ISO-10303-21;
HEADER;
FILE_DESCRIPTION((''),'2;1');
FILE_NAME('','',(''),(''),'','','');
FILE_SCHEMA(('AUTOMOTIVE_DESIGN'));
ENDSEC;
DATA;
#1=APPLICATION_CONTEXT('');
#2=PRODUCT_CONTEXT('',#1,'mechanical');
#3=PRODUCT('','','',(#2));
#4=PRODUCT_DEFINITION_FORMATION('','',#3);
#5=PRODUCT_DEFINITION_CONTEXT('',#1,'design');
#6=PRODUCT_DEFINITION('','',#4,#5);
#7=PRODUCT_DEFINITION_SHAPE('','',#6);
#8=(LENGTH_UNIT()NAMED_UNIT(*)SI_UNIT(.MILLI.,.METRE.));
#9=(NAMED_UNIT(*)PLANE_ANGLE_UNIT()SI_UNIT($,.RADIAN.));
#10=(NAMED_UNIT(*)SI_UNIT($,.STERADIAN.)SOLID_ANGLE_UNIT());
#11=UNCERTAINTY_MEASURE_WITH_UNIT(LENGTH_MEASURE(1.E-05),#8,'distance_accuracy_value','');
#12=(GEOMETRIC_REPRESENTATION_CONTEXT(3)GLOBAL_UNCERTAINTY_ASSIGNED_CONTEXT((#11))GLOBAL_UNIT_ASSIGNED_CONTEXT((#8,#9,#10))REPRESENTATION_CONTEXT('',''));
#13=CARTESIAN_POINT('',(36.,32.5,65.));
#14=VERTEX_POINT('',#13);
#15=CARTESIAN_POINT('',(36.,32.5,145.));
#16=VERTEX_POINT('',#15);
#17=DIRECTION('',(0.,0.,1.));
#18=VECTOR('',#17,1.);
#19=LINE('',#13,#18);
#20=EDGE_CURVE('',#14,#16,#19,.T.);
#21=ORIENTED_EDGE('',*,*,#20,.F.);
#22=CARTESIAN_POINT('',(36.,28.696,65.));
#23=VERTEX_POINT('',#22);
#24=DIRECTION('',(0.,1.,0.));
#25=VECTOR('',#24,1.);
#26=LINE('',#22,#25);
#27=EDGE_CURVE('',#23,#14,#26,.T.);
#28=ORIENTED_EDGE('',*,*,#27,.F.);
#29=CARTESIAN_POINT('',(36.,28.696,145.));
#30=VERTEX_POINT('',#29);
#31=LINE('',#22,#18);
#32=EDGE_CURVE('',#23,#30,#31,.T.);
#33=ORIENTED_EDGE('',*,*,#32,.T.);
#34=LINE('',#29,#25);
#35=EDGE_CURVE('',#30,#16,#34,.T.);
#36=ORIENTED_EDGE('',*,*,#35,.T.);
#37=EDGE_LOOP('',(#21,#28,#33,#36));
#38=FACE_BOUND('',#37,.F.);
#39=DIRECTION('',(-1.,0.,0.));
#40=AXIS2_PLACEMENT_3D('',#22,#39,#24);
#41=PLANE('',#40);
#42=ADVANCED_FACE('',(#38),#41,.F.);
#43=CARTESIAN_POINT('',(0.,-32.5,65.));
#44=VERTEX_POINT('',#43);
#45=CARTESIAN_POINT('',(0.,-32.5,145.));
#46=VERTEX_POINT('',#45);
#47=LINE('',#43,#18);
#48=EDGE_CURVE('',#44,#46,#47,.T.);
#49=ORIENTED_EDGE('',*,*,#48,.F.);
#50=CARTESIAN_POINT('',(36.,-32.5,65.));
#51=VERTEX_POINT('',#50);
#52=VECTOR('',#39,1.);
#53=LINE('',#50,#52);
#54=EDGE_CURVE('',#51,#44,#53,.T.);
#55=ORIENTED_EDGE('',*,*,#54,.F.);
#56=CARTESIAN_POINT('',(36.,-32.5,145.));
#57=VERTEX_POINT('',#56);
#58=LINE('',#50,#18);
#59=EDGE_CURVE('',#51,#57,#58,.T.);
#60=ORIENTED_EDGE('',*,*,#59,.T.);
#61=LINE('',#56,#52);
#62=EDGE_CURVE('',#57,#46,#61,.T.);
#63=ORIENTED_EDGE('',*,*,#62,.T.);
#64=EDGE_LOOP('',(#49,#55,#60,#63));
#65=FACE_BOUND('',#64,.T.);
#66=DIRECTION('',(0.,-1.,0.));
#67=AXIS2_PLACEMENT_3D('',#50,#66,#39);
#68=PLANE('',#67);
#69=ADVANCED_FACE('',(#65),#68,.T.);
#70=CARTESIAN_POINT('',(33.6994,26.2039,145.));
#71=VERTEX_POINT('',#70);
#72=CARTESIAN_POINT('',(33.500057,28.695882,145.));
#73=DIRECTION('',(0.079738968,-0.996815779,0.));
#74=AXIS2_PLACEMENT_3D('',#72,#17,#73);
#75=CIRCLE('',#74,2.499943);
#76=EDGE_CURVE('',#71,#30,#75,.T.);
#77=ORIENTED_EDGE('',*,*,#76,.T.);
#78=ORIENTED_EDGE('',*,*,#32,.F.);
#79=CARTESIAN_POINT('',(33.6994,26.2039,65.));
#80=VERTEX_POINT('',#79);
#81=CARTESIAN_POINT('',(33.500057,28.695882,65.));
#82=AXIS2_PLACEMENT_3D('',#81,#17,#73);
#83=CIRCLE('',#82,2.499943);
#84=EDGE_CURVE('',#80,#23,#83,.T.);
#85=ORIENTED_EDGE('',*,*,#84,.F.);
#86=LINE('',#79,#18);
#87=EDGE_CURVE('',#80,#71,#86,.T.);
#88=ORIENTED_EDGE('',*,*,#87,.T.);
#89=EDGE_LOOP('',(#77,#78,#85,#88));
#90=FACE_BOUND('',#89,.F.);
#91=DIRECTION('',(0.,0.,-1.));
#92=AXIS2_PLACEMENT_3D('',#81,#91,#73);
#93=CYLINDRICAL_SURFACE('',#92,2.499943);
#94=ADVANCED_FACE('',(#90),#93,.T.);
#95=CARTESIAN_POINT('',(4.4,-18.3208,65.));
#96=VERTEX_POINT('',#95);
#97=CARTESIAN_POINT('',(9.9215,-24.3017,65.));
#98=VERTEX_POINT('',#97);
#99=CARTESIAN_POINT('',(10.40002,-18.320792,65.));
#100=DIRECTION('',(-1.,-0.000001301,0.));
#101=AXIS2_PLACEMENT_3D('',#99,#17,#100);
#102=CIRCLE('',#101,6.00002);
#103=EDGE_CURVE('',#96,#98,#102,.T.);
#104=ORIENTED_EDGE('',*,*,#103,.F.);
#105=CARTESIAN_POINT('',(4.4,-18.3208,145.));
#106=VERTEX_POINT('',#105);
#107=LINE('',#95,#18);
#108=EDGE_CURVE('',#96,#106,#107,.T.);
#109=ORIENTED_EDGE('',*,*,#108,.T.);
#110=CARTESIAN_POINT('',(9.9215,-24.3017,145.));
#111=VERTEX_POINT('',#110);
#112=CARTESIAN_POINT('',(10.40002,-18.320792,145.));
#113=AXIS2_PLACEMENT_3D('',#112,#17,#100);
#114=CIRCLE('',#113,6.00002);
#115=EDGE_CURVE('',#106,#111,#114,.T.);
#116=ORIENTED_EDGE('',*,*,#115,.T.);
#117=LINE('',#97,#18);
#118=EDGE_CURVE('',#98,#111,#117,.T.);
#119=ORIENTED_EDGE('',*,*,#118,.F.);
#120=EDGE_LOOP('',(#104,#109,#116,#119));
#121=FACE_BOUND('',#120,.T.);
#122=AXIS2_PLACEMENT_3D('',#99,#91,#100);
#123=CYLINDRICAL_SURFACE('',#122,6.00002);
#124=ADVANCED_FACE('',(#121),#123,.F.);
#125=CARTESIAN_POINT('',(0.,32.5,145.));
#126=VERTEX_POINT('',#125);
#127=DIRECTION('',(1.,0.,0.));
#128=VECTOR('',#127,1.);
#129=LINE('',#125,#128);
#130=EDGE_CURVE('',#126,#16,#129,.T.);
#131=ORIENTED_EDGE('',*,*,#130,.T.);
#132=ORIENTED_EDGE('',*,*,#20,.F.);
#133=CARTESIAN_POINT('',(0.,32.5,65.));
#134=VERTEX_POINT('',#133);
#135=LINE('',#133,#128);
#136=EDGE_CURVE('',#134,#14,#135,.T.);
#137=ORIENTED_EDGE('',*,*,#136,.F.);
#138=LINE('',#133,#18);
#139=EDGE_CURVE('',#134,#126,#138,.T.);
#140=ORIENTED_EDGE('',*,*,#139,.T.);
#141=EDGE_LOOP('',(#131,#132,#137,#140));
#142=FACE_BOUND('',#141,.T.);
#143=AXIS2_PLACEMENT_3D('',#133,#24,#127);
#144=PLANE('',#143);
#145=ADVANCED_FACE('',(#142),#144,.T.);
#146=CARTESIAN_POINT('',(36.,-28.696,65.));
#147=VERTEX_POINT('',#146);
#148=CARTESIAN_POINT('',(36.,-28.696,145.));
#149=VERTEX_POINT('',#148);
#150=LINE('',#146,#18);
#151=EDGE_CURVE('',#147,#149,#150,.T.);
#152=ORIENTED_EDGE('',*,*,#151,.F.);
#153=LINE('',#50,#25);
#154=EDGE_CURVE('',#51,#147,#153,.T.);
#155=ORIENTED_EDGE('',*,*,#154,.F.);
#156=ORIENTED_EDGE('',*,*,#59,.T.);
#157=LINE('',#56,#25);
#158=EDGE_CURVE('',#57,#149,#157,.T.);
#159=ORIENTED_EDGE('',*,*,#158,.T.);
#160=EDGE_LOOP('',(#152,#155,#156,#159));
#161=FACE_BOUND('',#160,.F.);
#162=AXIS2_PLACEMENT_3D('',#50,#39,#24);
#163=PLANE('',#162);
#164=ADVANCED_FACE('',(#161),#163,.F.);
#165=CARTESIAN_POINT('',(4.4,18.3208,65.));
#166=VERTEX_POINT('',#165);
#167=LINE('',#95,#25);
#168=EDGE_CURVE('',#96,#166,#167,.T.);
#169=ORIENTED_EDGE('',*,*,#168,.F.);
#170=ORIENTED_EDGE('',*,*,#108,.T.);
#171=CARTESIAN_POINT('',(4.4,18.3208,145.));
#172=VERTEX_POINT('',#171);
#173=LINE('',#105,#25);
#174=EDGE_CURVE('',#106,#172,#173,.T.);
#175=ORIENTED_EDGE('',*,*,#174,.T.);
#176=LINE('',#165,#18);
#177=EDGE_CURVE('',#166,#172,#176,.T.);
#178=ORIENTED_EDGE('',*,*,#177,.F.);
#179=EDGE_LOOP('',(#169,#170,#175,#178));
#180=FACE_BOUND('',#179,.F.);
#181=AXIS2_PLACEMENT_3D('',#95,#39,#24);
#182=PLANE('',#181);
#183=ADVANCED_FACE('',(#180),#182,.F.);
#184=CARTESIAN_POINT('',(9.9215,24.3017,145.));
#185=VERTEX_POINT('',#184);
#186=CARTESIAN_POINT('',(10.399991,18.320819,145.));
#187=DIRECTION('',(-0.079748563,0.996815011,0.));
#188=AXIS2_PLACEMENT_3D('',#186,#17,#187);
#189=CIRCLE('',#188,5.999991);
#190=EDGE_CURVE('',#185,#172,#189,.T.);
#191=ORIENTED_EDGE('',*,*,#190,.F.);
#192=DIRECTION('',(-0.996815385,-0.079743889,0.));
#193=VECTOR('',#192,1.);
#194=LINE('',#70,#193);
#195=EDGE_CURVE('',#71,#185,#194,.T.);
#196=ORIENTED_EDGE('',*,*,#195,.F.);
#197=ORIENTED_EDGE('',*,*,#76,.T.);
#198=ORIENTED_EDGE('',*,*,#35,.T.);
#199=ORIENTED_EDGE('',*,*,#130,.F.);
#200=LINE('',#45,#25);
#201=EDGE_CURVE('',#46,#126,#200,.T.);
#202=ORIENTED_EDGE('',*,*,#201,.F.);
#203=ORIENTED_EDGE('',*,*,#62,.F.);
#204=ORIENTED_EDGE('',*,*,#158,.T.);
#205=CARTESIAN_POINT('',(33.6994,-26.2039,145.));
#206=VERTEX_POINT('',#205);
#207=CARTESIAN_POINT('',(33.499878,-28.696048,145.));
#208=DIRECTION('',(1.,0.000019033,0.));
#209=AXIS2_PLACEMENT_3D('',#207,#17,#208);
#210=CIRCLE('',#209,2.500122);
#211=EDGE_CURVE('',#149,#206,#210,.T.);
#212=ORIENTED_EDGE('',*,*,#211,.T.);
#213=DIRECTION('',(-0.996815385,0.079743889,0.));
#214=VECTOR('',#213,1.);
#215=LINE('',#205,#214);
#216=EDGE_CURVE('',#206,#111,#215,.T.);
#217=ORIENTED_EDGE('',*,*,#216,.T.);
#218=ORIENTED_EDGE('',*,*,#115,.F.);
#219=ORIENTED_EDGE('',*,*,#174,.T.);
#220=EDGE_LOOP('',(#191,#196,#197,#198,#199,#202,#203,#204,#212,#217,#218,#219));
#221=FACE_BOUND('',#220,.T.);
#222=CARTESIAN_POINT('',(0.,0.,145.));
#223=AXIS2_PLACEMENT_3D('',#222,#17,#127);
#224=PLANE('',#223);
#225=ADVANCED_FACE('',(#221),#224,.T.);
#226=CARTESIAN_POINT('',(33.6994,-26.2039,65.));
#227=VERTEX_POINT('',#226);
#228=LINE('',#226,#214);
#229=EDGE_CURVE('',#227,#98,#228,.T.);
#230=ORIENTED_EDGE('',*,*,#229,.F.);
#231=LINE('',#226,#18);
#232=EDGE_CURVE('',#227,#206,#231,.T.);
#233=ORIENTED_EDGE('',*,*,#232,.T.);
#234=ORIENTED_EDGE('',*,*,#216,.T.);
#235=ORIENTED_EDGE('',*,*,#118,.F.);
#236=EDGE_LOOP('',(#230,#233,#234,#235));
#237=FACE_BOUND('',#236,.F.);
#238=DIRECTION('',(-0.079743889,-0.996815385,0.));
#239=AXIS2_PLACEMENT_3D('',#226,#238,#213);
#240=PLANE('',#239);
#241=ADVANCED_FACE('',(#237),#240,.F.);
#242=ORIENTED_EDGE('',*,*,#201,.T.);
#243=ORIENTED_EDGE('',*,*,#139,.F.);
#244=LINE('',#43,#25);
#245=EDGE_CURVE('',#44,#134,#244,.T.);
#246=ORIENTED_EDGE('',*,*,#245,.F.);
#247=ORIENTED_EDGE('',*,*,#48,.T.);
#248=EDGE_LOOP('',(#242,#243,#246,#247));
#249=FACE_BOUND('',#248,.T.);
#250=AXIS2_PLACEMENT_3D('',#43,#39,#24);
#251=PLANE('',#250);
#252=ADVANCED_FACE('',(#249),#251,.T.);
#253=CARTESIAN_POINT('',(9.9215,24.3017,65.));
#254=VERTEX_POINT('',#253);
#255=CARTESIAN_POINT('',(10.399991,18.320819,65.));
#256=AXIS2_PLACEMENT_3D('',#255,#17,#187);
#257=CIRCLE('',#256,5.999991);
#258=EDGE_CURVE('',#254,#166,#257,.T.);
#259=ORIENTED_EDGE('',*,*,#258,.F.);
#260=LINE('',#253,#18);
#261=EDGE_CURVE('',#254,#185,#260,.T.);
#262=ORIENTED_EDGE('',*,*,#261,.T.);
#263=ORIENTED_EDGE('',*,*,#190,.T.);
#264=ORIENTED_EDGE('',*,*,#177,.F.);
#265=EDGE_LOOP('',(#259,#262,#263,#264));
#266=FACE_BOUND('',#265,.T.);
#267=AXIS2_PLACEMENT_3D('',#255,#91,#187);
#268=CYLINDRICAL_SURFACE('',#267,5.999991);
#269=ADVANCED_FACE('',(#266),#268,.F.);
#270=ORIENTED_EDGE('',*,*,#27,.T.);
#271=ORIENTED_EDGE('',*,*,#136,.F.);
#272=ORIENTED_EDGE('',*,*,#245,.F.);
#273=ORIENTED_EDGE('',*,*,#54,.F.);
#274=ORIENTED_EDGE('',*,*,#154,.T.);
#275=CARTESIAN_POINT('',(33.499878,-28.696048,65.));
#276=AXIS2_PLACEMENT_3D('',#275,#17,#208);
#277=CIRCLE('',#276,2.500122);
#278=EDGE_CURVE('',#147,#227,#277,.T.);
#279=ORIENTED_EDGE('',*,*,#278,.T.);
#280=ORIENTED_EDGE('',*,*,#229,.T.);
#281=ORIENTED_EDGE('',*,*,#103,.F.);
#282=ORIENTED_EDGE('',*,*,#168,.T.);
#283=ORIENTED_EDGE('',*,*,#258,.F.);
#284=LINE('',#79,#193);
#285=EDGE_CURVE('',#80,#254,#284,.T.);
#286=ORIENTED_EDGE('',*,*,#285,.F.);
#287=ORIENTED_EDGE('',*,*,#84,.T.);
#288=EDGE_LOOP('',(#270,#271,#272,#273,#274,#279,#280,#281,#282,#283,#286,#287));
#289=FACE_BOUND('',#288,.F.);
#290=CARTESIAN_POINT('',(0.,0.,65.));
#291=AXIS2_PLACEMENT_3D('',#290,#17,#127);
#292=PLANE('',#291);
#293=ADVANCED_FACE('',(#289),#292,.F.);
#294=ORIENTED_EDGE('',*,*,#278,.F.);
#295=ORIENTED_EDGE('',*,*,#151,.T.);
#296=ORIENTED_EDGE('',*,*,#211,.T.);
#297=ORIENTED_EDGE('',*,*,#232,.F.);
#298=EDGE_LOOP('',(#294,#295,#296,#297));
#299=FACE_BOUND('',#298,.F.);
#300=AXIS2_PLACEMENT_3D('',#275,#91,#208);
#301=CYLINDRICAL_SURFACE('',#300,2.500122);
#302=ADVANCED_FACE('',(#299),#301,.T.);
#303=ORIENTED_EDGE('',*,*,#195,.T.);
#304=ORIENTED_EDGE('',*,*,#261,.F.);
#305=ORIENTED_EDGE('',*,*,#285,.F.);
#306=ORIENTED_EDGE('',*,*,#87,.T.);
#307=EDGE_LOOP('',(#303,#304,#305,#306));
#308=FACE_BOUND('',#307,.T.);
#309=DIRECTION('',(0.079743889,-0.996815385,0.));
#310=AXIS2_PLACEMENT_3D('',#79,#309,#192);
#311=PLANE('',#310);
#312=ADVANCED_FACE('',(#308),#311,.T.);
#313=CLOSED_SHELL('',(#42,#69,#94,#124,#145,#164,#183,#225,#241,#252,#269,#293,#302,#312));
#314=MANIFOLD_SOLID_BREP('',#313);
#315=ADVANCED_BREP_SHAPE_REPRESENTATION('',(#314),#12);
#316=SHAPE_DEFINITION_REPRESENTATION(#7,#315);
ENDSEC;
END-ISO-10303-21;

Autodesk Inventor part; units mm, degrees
ref_plane "Начальная плоскость" through (0, 0, 65) normal (0, 0, 1) x (1, 0, 0)
ref_plane "Конечная плоскость" through (0, 0, 145) normal (0, 0, 1) x (1, 0, 0)
sketch "Эскиз" plane through (0, 0, 0) normal (0, 0, 1) x (1, 0, 0)
  line L0 (36, -32.5) -> (0, -32.5)
  line L1 (36, -32.5) -> (36, -28.696)
  line L2 (33.6994, -26.2039) -> (9.9215, -24.3017)
  line L3 (4.4, -18.3208) -> (4.4, 18.3208)
  line L4 (33.6994, 26.2039) -> (9.9215, 24.3017)
  line L5 (36, 28.696) -> (36, 32.5)
  line L6 (0, 32.5) -> (36, 32.5)
  line L7 (0, -32.5) -> (0, 32.5)
  arc A0 (4.4, -18.3208) -> (9.9215, -24.3017) centre (10.4, -18.3208) ccw
  arc A1 (9.9215, 24.3017) -> (4.4, 18.3208) centre (10.4, 18.3208) ccw
  arc A2 (36, -28.696) -> (33.6994, -26.2039) centre (33.5, -28.696) ccw
  arc A3 (33.6994, 26.2039) -> (36, 28.696) centre (33.5, 28.696) ccw
  line L8 (0, 45.5) -> (0, -45.5) construction
  line L9 (-7.2974, 0) -> (43.7847, 0) construction
  point P0 (36, -26.388)
  point P1 (4.4, -23.86)
  point P2 (4.4, 23.86)
  point P3 (36, 26.388)
  dimension "d3" = 36
  dimension "d5" = 4.4
  dimension "d7" = 65
  dimension "d9" = 8.64
  dimension "d11" = 8.64
  dimension "d13" = 6.112
  dimension "d15" = 6.112
  dimension "d22" = 6
  dimension "d23" = 2.5
  dimension "d24" = 32.5
  dimension "d25" = 0
extrude "Тело" add sketch "Эскиз" along normal up to surface (80 mm away) from surface at 65
sketch "Sketch3" plane through (0, 0, 0) normal (0, 0, 1) x (1, 0, 0)
  line L0 (0, 0) -> (10, 0)
ref_plane "Work Plane7" through (0, 0, 0) normal (0, -1, 0) x (1, 0, 0)
sketch "Sketch4" plane through (0, 0, 0) normal (0, -1, 0) x (1, 0, 0)
  line L0 (-2, 65) -> (12, 65)
  line L1 (-2, 145) -> (12, 145)
  dimension "d29" = 80
ref_plane "РабПлоскость8" through (18, 0, 145) normal (0, 0, 1) x (1, 0, 0)
split "Разделение1" plane through (18, 0, 145) removes the side toward (0, 0, 1)
ref_plane "РабПлоскость9" through (18, 0, 145) normal (0, 0, 1) x (1, 0, 0)
split "Разделение2" plane through (18, 0, 145) removes the side toward (0, 0, 1)
ref_plane "РабПлоскость10" through (18, 0, 65) normal (0, 0, -1) x (-1, 0, 0)
split "Разделение3" plane through (18, 0, 65) removes the side toward (0, 0, -1)
equation "\"d3\" = b"
equation "\"d5\" = t1"
equation "\"d7\" = ParH"
equation "\"d9\" = msp_x1 + t2"
equation "\"d11\" = msp_x1 + t2"
equation "\"d13\" = -msp_x2 + t2"
equation "\"d15\" = -msp_x2 + t2"
equation "\"d22\" = R"
equation "\"d23\" = R1"
equation "\"d24\" = 0.5 * d7"
equation "\"d16\" = G_L"
equation "\"R1\" = 2.5"
equation "\"R\" = 6"
equation "\"t1\" = 4.4"
equation "\"t2\" = 7.2"
equation "\"ParH\" = 65"
equation "\"b\" = 36"
equation "\"msp_x1\" = 0.04 * b"
equation "\"msp_x2\" = -0.08 * t1 + 0.04 * b"
equation "\"G_L\" = d29"
equation "\"ex\" = 0"
equation "\"G_OFFSET_START\" = -65"
equation "\"G_OFFSET_END\" = -65"
equation "\"d26\" = -G_OFFSET_START"
equation "\"d27\" = G_OFFSET_END + B_L"
equation "\"B_L\" = 210"
properties part number "Швеллер 6.5U-80 ГОСТ 8240-97"
